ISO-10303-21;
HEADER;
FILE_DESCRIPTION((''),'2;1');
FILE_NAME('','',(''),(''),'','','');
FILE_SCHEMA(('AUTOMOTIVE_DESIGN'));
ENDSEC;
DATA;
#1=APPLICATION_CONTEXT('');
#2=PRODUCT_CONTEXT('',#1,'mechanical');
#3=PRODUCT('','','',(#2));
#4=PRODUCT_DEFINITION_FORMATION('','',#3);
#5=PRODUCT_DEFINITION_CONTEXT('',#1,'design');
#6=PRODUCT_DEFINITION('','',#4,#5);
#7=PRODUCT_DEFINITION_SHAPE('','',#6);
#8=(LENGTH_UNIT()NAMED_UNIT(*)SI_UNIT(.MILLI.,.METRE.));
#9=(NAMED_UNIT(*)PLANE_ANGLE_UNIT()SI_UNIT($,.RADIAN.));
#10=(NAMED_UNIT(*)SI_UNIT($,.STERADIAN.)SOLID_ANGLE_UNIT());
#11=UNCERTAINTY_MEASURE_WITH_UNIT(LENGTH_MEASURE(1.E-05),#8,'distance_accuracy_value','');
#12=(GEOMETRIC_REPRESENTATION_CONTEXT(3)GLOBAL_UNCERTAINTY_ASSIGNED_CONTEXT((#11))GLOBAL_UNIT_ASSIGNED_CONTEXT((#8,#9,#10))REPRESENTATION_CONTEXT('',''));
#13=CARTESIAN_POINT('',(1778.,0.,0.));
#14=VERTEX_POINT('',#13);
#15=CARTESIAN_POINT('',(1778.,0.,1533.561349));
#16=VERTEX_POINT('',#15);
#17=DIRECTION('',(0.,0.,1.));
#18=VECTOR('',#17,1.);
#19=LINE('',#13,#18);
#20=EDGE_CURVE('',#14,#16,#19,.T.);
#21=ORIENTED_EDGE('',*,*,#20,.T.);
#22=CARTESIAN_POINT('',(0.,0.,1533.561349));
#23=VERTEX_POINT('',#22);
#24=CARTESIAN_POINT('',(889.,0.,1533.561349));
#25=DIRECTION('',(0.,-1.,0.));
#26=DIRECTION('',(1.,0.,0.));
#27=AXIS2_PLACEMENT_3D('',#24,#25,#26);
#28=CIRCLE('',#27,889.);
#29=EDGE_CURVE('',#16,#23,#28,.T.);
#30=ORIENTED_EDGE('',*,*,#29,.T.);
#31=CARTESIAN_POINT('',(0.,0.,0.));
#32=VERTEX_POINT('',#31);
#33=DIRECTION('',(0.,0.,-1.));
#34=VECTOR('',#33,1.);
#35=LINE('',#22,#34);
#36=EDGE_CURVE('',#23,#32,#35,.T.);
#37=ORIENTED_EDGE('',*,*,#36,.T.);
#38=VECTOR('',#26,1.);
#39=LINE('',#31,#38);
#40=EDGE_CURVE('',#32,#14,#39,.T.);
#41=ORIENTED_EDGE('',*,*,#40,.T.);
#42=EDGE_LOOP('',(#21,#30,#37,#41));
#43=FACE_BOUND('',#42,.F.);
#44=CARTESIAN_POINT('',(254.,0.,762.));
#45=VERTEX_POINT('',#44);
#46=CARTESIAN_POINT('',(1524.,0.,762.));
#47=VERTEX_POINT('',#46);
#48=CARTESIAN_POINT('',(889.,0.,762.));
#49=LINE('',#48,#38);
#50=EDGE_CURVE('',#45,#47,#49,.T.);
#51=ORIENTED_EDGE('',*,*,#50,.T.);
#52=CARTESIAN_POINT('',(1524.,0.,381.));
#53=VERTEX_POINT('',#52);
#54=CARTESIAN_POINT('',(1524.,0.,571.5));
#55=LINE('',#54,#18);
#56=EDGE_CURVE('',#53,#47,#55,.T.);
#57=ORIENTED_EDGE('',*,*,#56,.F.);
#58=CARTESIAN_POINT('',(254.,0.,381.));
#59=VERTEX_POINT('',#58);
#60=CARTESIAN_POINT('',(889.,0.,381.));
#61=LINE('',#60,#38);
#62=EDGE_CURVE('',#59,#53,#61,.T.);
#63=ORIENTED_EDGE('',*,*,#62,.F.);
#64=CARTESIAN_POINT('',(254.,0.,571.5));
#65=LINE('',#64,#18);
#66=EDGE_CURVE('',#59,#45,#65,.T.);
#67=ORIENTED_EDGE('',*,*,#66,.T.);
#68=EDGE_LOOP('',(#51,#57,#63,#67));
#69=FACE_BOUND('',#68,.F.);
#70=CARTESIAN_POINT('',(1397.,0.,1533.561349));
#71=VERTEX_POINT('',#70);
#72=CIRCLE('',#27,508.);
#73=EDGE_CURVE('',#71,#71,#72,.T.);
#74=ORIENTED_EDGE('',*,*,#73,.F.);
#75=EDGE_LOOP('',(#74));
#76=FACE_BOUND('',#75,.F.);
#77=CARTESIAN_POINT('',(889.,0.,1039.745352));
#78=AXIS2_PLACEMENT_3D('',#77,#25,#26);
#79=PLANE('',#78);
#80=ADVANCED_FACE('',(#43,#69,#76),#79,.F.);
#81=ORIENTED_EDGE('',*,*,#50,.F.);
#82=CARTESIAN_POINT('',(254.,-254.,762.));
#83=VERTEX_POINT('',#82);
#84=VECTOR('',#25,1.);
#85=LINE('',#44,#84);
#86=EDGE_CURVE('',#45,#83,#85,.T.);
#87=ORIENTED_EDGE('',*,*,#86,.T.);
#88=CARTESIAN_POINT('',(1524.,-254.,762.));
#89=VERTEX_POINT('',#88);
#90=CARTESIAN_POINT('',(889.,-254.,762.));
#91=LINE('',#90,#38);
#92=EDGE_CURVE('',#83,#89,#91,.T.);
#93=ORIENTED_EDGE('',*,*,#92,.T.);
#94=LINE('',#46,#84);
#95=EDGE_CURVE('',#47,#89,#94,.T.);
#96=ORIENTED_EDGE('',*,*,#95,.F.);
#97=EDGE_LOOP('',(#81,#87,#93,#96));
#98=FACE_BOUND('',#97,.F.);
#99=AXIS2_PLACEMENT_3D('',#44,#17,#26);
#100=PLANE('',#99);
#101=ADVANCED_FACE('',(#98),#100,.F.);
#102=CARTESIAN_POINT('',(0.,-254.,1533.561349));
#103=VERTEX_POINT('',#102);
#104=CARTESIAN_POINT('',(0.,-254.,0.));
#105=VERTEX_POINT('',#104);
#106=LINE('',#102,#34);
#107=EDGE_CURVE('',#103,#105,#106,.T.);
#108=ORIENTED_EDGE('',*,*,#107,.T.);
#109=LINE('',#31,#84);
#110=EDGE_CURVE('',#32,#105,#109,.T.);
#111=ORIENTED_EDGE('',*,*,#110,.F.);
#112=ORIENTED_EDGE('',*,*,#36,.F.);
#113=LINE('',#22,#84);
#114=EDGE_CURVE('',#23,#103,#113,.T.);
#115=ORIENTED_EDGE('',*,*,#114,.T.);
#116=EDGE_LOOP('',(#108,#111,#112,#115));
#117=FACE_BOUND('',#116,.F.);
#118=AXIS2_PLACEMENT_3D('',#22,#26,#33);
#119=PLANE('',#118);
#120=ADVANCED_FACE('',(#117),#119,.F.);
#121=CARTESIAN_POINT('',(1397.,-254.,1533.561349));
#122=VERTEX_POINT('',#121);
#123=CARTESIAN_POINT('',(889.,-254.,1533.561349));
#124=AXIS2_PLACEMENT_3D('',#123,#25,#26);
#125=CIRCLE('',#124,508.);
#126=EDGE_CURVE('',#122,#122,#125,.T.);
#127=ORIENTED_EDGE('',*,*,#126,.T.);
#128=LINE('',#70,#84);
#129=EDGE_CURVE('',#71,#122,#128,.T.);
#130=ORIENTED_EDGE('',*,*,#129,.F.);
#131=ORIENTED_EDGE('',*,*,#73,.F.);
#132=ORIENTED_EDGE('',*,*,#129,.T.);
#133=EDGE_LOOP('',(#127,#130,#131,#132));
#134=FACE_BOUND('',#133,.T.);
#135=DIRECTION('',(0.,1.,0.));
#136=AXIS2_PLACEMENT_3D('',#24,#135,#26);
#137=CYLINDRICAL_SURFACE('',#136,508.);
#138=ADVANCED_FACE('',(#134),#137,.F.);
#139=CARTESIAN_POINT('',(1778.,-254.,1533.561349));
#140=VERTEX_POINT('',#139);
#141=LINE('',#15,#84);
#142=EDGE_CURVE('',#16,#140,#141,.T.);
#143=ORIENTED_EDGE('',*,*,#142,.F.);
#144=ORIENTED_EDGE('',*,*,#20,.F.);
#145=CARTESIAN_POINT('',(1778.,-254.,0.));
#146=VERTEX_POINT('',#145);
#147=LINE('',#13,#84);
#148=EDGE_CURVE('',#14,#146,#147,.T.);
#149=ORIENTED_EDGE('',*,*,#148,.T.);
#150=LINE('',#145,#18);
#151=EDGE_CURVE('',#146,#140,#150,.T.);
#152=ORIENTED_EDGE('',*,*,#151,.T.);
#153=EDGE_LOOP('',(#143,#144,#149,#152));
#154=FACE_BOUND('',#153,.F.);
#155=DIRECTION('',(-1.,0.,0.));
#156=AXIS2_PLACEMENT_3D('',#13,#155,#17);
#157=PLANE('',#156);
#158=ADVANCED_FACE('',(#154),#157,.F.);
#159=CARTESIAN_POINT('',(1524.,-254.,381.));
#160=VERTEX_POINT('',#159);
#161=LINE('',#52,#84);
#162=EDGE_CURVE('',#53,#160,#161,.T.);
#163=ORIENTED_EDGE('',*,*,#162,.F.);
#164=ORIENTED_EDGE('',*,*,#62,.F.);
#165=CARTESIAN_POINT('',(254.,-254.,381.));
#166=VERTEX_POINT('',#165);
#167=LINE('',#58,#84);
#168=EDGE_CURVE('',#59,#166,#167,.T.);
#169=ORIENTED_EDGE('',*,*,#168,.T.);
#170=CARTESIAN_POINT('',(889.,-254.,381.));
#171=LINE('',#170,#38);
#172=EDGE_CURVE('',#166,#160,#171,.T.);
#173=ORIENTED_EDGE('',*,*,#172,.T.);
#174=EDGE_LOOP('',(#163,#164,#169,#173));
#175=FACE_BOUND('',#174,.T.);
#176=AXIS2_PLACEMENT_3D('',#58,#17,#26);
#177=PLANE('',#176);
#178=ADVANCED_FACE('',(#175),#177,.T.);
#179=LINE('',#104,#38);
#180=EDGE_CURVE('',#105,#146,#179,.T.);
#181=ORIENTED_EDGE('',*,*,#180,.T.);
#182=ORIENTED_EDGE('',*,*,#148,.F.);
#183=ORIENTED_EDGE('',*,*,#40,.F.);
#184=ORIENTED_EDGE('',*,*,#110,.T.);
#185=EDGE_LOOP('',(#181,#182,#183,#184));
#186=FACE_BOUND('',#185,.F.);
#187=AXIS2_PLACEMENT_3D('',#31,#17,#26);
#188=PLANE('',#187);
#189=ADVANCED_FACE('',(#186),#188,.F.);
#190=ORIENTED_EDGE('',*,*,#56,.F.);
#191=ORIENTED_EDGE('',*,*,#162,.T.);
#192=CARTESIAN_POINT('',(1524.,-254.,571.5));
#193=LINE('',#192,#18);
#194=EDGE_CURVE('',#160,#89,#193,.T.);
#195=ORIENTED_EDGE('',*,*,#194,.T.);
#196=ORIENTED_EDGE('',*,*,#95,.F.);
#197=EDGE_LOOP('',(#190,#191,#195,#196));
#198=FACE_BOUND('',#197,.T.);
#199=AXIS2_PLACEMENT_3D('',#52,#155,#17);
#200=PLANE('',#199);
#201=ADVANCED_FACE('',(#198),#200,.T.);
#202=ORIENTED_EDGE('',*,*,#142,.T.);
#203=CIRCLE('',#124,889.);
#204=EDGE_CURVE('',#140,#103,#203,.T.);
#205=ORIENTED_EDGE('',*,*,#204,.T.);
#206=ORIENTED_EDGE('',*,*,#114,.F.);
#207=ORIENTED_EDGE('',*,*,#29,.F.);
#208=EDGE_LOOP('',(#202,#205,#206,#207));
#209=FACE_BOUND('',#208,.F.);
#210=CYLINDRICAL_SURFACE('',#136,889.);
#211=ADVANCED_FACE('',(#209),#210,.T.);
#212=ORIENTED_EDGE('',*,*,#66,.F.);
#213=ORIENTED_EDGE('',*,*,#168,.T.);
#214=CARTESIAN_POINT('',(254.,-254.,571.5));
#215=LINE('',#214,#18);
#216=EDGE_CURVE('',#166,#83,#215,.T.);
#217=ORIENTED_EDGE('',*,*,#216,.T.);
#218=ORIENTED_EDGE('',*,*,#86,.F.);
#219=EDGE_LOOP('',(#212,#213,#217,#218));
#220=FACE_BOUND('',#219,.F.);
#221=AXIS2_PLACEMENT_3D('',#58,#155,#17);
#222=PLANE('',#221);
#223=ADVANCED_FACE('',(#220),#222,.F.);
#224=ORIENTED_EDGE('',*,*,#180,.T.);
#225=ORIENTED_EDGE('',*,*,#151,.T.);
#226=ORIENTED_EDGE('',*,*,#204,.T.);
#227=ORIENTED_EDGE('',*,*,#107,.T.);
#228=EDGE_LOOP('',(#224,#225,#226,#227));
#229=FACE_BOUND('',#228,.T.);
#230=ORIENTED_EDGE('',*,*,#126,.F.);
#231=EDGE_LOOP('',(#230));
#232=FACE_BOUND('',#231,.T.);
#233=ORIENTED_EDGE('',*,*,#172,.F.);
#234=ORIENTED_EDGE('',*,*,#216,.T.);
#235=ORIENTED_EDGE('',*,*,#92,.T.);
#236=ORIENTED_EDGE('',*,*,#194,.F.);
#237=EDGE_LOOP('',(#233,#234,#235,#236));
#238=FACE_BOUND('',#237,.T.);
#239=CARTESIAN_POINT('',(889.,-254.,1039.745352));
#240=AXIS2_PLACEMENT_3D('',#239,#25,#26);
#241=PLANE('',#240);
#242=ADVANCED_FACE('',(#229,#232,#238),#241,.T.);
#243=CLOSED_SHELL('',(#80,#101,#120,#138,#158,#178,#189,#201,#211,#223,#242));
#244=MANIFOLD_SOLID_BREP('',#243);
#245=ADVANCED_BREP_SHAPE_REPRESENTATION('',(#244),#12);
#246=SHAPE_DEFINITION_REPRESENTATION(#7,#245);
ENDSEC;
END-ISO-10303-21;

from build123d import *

# Parameters (mm, degrees)
F0_W     = 1270
F0_H     = 381
F0_R     = 508
F1_DEPTH = 254


with BuildPart() as f1:
    # F0 (on Front) → F1 (new body)
    with BuildSketch(Plane.XZ):
        with BuildLine():
            Line((0, 1524), (0, 0))
            Line((0, 0), (1778, 0))
            Line((1778, 0), (1778, 1524))
            Line((1778, 1524), (1778, 1533.561349))
            ThreePointArc((1778, 1533.561349), (889, 2422.561349), (0, 1533.561349))
            Line((0, 1533.561349), (0, 1524))
        make_face()
        with Locations((889, 571.5)):
            Rectangle(F0_W, F0_H, mode=Mode.SUBTRACT)
        with Locations((889, 1533.561349)):
            Circle(F0_R, mode=Mode.SUBTRACT)
    extrude(amount=F1_DEPTH)


solid = f1.part
